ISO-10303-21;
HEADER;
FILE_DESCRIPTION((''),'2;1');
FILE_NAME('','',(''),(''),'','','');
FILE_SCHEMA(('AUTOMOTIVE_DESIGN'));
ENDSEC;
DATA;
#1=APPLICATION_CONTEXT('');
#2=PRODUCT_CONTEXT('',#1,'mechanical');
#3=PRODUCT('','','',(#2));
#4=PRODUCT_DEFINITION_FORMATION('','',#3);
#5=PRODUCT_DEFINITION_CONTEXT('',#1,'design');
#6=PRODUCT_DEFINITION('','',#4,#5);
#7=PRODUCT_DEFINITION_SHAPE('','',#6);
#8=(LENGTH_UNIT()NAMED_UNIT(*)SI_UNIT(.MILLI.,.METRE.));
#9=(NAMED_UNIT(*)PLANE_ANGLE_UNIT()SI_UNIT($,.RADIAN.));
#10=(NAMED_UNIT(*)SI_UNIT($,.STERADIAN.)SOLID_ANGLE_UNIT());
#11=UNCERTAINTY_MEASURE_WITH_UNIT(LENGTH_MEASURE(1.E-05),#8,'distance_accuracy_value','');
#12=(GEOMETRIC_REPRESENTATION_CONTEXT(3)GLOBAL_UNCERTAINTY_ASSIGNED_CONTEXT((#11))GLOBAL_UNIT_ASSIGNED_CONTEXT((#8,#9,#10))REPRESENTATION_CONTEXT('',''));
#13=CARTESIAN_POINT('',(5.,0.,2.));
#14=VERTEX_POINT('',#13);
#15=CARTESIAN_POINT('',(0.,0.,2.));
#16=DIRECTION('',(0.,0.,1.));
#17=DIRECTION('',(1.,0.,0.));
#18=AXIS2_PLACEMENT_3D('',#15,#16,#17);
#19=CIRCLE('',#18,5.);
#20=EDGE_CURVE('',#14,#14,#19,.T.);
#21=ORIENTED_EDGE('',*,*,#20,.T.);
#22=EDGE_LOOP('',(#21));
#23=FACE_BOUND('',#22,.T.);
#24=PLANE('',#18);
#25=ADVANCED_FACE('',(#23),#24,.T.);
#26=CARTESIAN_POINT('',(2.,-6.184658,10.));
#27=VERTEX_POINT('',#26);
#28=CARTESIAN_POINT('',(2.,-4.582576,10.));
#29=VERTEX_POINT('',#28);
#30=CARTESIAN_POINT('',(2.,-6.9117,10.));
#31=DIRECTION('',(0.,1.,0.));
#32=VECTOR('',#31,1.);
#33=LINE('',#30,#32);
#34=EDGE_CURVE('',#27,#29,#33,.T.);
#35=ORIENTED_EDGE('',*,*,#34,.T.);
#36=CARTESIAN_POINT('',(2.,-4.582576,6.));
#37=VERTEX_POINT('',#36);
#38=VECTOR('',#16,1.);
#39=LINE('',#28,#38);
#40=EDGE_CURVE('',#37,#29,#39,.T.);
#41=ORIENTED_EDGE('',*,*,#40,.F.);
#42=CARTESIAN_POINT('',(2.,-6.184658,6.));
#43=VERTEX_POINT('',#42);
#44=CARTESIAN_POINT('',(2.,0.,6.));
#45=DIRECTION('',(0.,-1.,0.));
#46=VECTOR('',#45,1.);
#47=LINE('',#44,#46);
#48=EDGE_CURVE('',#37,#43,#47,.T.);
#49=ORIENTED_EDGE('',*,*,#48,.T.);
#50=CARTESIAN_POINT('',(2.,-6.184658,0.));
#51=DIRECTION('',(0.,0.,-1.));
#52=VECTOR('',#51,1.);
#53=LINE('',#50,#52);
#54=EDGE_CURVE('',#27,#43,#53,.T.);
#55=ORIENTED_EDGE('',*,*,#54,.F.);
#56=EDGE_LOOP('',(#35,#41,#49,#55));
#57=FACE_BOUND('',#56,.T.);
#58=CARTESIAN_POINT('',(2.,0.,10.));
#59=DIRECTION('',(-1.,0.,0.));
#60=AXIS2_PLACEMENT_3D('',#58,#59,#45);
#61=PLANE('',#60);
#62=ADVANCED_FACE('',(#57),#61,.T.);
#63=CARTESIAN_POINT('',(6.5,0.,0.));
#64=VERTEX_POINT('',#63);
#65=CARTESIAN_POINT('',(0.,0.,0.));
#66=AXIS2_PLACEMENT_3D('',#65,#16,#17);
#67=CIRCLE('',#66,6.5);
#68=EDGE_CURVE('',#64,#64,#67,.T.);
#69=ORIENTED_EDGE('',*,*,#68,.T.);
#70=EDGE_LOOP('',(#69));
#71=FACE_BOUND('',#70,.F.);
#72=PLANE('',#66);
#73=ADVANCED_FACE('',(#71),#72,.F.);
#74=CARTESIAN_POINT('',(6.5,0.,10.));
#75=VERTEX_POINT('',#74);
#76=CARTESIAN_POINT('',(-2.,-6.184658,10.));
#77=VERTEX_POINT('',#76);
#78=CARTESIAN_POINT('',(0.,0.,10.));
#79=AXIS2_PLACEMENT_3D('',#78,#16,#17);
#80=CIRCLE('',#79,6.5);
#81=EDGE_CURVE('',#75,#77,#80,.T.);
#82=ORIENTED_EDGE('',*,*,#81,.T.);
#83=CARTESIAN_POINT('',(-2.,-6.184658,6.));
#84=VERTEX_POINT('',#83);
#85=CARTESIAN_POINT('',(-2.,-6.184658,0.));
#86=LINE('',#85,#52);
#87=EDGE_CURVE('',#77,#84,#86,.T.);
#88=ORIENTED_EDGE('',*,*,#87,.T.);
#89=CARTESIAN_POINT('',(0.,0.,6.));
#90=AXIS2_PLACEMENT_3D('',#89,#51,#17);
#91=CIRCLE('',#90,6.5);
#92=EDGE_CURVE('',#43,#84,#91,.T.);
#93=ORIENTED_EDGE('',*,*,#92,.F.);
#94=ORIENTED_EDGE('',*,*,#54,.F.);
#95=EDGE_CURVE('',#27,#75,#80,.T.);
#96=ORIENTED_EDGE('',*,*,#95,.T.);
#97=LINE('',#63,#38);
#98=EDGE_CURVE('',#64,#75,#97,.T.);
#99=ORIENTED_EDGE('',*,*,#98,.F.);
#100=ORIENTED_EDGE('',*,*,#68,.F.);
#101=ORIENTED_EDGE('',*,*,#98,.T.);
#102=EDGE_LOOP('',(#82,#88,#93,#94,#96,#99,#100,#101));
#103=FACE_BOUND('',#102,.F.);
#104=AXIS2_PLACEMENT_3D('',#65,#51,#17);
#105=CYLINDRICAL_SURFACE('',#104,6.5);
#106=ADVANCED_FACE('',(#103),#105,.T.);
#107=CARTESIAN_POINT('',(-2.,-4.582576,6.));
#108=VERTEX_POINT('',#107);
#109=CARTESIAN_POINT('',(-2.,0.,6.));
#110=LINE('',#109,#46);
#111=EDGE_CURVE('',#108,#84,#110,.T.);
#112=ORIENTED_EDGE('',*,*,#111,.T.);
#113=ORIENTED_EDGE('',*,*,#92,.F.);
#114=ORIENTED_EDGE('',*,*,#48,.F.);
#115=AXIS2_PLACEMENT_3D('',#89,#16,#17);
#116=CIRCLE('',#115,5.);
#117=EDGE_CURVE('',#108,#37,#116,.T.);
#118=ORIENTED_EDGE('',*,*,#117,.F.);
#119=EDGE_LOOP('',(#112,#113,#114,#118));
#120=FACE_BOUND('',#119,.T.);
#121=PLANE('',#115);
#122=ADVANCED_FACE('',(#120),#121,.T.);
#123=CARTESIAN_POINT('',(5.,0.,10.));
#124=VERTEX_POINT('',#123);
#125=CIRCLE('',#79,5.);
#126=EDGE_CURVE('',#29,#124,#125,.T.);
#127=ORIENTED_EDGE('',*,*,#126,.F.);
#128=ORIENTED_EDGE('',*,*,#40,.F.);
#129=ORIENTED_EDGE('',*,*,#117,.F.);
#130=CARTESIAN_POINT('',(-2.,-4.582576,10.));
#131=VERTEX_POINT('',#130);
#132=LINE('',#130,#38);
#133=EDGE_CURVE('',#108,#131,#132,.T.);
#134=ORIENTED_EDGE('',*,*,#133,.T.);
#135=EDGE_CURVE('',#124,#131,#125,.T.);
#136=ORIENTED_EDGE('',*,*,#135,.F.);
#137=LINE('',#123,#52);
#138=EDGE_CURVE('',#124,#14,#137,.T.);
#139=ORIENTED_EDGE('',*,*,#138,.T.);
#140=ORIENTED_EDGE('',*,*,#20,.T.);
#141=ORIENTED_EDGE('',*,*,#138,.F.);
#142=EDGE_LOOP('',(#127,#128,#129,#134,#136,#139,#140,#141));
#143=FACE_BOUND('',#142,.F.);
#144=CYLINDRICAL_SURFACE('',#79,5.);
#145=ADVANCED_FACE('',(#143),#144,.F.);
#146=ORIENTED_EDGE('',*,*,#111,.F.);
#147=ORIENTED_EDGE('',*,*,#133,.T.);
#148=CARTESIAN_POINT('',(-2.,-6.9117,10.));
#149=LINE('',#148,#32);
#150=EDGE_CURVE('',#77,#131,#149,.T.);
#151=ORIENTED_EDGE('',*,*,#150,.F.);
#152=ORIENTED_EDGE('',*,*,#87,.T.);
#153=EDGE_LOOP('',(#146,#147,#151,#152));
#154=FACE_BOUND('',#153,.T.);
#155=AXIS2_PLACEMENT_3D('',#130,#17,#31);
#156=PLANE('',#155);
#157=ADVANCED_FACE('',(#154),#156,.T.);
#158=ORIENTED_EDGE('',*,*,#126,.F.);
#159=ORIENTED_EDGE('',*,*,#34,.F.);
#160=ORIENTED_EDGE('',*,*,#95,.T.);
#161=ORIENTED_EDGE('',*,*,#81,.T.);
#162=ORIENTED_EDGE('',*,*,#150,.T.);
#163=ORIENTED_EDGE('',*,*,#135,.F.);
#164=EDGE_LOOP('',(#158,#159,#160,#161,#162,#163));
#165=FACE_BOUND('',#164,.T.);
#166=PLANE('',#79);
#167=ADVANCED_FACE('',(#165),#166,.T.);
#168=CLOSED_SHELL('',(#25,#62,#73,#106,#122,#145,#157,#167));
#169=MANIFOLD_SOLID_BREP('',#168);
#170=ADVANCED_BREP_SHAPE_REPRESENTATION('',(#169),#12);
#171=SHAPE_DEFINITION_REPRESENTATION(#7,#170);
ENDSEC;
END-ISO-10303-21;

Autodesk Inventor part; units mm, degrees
ref_plane "YZ Plane" through (0, 0, 0) normal (1, 0, 0) x (0, 1, 0)
ref_plane "XZ Plane" through (0, 0, 0) normal (0, 1, 0) x (-1, 0, 0)
ref_plane "XY Plane" through (0, 0, 0) normal (0, 0, 1) x (1, 0, 0)
sketch "Sketch1" plane through (0, 0, 0) normal (0, 0, 1) x (1, 0, 0)
  circle A0 centre (0, 0) radius 6.5
  dimension "d0" = 13
extrude "Extrusion1" add sketch "Sketch1" along normal blind 10
sketch "Sketch2" plane through (0, 0, 10) normal (0, 0, 1) x (1, 0, 0)
  circle A0 centre (0, 0) radius 5
  dimension "d3" = 10
extrude "Extrusion2" cut sketch "Sketch2" against normal blind 8
sketch "Sketch3" plane through (0, 0, 10) normal (0, 0, 1) x (1, 0, 0)
  circle A0 centre (0, 0) radius 5 projected
  circle A1 centre (0, 0) radius 6.5 projected
  line L0 (-2, 0) -> (2, 0)
  line L1 (2, 0) -> (2, -6.9117)
  line L2 (2, -6.9117) -> (-2, -6.9117)
  line L3 (-2, -6.9117) -> (-2, 0)
  dimension "d6" = 4
extrude "Extrusion3" cut sketch "Sketch3" against normal blind 4 contours L3 L0 L1 A0 | A0 L1 A1 L3 | A1 L1 L2 L3 picked at (0, -1.6667) picked at (-1.2327, -5.848)
properties part number "capuchon.torre0.2"
